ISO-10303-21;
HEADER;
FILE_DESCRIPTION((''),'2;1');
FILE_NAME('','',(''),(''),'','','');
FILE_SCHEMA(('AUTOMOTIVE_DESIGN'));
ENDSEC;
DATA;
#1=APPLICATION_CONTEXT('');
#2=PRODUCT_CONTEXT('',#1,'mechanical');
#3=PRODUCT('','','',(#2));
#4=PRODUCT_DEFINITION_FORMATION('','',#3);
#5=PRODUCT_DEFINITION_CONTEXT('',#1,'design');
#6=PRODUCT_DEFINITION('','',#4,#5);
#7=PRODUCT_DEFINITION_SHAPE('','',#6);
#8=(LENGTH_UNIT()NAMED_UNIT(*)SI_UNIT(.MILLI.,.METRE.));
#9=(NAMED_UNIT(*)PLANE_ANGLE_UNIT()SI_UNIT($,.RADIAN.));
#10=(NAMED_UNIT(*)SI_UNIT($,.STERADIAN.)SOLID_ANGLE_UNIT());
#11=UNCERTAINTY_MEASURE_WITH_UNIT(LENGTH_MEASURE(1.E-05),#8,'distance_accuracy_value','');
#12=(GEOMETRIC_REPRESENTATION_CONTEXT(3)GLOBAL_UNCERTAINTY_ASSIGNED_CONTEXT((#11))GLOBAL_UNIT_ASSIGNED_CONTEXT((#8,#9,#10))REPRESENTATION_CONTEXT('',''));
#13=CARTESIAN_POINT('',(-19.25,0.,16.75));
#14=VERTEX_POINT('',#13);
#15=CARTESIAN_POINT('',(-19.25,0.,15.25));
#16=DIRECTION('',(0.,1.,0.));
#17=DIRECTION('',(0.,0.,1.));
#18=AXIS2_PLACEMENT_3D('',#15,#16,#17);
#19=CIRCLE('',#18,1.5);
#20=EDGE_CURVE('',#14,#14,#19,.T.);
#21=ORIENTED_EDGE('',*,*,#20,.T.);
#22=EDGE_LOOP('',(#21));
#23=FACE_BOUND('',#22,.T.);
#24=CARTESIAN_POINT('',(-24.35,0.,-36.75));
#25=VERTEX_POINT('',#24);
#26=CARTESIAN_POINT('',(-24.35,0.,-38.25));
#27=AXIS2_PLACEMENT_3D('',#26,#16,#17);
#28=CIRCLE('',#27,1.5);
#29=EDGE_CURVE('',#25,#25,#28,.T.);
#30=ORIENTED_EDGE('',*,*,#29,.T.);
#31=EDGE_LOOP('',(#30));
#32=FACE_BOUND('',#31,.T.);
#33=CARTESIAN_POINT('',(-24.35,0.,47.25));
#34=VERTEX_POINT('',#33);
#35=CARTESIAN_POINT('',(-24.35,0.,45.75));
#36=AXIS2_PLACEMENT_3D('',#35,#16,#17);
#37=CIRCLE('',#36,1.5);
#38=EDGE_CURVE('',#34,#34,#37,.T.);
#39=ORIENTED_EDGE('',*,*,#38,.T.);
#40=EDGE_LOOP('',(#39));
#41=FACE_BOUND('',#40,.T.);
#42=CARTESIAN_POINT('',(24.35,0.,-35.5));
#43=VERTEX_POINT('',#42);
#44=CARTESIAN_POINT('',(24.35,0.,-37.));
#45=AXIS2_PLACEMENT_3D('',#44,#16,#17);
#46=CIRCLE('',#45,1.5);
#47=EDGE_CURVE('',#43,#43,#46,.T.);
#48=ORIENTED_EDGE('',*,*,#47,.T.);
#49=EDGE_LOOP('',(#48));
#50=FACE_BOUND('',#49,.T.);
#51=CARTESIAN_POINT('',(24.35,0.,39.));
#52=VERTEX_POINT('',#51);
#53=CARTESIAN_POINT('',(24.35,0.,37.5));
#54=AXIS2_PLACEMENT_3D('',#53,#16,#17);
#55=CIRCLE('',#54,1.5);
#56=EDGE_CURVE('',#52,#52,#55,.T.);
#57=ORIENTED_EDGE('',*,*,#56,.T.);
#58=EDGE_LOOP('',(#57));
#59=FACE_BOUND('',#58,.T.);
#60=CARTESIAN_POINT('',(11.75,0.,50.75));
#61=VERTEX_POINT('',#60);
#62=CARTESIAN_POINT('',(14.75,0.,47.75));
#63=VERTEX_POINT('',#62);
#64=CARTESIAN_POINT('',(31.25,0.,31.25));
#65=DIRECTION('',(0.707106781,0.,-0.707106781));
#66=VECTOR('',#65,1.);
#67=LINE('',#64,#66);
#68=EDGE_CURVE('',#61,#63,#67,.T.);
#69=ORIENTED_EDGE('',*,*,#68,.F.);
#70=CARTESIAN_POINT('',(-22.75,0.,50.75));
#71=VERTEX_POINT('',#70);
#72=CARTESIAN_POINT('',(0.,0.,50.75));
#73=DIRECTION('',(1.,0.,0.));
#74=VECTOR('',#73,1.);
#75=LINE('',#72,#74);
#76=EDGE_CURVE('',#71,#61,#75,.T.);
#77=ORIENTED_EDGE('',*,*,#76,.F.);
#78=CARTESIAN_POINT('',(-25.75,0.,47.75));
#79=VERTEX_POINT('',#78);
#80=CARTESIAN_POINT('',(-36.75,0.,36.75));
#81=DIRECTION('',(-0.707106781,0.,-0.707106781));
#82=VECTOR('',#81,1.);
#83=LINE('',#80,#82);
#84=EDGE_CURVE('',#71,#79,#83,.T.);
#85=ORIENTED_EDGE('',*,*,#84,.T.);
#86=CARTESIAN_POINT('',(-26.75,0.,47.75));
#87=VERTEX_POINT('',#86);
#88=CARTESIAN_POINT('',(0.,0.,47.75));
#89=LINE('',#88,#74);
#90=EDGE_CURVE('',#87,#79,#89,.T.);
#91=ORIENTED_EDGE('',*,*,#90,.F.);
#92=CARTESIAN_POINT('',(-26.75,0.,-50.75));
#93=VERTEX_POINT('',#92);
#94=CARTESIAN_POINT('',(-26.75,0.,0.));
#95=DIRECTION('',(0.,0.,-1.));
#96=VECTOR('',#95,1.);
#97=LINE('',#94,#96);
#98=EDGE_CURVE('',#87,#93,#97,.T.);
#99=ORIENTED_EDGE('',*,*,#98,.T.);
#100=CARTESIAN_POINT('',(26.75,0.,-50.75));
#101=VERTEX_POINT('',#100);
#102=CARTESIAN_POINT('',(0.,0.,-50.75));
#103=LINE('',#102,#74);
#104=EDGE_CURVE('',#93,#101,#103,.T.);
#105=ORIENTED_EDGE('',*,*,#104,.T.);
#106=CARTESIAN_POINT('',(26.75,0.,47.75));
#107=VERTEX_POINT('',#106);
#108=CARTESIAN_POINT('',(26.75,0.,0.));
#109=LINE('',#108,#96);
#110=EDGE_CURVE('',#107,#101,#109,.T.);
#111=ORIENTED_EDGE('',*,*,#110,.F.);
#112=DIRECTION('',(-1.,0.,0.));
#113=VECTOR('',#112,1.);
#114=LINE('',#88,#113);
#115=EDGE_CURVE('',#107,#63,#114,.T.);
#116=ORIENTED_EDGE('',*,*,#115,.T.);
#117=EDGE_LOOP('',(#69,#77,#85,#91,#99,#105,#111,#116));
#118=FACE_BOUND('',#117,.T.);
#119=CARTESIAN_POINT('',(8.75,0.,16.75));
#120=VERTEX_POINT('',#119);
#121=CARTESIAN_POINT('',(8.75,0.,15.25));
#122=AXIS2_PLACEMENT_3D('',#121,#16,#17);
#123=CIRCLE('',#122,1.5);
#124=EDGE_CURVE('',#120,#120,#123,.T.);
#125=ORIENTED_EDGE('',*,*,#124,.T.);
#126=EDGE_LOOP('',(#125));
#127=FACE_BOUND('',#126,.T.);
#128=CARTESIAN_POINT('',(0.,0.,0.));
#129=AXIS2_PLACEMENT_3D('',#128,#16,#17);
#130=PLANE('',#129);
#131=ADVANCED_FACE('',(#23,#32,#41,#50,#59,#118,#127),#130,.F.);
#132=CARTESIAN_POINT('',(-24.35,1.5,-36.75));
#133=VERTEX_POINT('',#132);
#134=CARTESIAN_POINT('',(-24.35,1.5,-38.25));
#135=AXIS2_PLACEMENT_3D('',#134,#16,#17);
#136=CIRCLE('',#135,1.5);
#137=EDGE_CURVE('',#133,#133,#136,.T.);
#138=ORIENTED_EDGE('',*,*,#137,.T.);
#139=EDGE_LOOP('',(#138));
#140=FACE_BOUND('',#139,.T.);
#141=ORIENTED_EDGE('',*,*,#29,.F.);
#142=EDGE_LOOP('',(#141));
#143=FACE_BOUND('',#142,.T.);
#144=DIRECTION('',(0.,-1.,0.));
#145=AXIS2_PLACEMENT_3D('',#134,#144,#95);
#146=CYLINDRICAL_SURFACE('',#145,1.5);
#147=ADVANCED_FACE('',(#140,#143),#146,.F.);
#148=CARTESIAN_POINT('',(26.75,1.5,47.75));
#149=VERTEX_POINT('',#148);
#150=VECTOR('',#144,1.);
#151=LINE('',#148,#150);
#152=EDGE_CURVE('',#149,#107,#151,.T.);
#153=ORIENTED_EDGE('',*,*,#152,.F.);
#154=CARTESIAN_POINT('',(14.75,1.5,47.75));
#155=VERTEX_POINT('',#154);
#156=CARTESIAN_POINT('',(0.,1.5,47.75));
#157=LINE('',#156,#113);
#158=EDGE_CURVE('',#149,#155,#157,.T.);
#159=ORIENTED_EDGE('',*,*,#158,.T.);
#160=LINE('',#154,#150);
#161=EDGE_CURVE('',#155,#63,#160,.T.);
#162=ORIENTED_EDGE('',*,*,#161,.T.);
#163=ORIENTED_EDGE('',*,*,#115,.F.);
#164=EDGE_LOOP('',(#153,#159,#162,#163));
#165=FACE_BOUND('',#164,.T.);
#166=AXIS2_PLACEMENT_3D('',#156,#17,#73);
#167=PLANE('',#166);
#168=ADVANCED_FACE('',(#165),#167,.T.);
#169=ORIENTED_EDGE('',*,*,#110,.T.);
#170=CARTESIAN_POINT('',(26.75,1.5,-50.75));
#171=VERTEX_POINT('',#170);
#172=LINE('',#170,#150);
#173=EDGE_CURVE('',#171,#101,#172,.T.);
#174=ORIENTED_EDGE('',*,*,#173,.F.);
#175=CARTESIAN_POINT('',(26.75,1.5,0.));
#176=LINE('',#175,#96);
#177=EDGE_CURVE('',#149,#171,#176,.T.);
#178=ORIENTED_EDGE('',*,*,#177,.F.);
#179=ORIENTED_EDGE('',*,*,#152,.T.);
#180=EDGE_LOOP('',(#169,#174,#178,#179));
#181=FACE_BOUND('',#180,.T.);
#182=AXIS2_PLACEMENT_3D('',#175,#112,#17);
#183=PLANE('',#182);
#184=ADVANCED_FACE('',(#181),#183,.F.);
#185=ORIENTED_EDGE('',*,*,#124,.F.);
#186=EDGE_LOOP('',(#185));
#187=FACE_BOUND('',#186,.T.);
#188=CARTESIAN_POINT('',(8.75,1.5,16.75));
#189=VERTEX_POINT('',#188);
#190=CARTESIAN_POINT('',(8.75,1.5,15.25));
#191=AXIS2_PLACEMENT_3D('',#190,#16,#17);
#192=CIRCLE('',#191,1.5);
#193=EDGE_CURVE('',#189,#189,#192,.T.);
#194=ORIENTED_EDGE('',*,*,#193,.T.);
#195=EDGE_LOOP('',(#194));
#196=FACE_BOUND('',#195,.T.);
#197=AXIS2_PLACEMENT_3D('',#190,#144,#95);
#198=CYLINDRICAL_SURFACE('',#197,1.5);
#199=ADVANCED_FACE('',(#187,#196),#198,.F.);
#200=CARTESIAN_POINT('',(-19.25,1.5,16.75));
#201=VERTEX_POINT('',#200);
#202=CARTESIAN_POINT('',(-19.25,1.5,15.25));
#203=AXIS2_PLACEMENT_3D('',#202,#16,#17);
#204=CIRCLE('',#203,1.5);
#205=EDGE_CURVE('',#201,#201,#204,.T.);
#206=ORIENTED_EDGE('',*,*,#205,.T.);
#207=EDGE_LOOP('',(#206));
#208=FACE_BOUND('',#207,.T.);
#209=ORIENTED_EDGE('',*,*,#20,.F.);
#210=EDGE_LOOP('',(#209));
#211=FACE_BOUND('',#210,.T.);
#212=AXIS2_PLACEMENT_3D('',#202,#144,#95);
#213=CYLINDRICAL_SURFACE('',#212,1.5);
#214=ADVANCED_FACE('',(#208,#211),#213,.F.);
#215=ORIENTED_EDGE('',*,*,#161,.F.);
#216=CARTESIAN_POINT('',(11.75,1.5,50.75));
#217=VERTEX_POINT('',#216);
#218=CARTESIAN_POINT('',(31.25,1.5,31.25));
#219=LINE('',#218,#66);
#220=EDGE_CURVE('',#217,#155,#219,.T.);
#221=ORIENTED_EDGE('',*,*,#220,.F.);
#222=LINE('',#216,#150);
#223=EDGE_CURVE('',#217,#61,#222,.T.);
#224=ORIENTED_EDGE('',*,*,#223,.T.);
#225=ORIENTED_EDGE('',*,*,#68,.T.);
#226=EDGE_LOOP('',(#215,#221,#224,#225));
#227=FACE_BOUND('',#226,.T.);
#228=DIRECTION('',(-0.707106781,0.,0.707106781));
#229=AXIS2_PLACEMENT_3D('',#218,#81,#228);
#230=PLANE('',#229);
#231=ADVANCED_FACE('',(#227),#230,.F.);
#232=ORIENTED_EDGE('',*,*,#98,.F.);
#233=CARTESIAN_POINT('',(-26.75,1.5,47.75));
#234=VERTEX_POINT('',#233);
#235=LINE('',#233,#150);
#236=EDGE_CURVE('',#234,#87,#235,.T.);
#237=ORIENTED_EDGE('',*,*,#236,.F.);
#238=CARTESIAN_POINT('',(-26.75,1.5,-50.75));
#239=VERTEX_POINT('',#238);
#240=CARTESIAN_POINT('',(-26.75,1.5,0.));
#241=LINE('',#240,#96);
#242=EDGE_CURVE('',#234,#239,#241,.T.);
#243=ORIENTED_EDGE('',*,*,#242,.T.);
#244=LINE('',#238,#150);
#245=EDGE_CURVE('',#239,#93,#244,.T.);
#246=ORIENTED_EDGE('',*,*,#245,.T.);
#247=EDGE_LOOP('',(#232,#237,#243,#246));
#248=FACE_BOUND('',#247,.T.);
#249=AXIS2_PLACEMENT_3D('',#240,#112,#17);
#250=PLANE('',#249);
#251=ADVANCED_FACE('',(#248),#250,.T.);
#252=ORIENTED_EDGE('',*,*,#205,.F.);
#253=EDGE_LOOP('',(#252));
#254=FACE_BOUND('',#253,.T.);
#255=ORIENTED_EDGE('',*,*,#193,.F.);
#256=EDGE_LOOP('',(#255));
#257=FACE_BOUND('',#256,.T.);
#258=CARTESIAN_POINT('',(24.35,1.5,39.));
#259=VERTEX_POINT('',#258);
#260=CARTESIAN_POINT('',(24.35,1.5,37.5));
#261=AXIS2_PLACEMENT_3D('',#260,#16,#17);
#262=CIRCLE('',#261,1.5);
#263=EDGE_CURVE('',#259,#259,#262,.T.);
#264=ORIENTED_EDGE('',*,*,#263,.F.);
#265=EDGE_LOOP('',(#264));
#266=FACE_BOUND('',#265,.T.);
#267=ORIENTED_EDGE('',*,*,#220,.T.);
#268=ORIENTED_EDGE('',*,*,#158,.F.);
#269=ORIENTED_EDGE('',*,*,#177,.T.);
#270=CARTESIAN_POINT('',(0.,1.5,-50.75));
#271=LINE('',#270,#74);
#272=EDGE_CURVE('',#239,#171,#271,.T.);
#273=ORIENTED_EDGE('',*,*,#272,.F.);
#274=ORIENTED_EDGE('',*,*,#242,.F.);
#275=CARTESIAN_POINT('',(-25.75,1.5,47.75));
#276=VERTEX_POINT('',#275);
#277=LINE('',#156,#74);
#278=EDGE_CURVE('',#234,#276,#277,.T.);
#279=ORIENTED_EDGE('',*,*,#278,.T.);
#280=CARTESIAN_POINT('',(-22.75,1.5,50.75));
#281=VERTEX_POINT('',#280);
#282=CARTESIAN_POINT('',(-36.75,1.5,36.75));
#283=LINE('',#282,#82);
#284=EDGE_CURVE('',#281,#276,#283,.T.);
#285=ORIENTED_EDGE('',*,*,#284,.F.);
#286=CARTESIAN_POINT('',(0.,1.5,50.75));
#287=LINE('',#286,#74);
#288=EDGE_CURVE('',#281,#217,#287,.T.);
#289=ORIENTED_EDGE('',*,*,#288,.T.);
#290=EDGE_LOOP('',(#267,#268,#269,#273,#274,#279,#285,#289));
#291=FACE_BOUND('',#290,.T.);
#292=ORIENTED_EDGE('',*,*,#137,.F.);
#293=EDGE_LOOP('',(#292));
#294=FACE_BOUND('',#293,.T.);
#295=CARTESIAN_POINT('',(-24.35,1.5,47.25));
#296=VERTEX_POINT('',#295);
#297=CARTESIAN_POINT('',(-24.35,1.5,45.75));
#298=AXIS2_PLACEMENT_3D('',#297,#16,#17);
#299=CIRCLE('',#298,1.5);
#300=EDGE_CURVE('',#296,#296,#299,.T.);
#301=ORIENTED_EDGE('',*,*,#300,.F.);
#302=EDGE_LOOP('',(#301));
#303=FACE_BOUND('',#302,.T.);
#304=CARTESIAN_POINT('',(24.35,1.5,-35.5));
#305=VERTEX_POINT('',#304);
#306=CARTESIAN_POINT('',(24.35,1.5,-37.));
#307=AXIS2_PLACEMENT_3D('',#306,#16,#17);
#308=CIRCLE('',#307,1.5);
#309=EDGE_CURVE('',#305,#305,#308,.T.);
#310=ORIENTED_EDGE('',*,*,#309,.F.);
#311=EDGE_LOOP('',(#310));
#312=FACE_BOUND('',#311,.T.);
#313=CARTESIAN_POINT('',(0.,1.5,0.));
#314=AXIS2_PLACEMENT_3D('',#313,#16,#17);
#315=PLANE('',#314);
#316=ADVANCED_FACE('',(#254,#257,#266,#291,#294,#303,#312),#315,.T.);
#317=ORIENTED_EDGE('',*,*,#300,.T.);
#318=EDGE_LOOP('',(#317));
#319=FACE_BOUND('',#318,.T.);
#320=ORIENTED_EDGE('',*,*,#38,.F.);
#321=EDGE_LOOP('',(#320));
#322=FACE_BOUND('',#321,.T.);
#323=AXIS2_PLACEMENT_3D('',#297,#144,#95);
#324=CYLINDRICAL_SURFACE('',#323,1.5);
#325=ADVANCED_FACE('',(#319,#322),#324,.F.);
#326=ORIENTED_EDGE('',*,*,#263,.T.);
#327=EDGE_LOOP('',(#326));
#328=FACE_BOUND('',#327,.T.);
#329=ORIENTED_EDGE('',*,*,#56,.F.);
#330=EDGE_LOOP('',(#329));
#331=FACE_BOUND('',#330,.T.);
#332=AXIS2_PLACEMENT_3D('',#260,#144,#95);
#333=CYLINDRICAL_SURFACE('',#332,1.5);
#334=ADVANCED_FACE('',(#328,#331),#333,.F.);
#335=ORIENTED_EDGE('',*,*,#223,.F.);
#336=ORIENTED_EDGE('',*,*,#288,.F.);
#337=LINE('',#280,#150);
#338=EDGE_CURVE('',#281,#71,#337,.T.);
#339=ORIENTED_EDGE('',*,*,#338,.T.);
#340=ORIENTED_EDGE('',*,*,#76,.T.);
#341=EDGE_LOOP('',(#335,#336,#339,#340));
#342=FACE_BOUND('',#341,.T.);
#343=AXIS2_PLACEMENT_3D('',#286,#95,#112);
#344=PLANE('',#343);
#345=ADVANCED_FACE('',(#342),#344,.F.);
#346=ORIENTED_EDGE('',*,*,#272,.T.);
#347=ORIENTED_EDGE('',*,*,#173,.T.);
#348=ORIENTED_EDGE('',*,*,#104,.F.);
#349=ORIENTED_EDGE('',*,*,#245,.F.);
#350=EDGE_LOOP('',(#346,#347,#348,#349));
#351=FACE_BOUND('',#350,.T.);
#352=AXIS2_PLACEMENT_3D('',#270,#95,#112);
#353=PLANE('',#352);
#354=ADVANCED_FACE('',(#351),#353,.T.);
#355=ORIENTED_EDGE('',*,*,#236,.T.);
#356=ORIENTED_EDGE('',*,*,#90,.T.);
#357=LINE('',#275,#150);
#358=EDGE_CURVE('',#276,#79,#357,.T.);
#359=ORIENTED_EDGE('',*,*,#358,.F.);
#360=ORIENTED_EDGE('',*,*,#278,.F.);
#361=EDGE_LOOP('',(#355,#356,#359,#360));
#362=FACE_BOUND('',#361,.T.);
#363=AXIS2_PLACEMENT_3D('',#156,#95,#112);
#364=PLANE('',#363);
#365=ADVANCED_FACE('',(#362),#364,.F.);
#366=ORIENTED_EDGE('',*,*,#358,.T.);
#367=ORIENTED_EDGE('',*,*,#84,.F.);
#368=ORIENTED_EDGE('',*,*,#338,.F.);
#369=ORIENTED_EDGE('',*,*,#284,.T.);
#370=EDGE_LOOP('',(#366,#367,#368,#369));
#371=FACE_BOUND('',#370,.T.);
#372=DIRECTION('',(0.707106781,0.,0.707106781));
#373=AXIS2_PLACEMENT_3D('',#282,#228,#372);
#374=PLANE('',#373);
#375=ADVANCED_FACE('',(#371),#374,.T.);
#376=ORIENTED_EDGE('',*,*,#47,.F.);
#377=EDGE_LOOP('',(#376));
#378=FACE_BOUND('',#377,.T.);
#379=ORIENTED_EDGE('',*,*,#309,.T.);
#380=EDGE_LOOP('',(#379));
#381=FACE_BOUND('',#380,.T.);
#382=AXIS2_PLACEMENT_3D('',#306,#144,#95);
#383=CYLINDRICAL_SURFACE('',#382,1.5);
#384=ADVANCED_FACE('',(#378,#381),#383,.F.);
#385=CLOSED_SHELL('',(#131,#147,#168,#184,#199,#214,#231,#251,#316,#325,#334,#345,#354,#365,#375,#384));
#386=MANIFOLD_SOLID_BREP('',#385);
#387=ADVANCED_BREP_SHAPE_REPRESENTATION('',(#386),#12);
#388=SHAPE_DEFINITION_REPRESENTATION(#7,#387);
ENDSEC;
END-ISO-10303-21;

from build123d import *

# Parameters (mm, degrees)
SKETCH1_R           = 1.5
BOSS_EXTRUDE1_DEPTH = 1.5


with BuildPart() as part:
    # Sketch1 → Boss-Extrude1 (new body)
    with BuildSketch(Plane(origin=(0, 0, 0), x_dir=(1, 0, 0), z_dir=(0, 1, 0))):
        Polygon((-22.75, -50.75), (11.75, -50.75), (14.75, -47.75), (26.75, -47.75), (26.75, 50.75), (25.85, 50.75), (-20.75, 50.75), (-25.85, 50.75), (-26.75, 50.75), (-26.75, -47.75), (-25.75, -47.75), align=None)
        with Locations(Location((-24.35, -45.75, 0), (0, 0, 270))):
            Circle(SKETCH1_R, mode=Mode.SUBTRACT)
        with BuildLine():
            ThreePointArc((-17.75, -15.25), (-19.25, -16.75), (-20.75, -15.25))
            ThreePointArc((-20.75, -15.25), (-19.25, -13.75), (-17.75, -15.25))
        make_face(mode=Mode.SUBTRACT)
        with Locations(Location((24.35, -37.5, 0), (0, 0, 270))):
            Circle(SKETCH1_R, mode=Mode.SUBTRACT)
        with Locations(Location((8.75, -15.25, 0), (0, 0, 270))):
            Circle(SKETCH1_R, mode=Mode.SUBTRACT)
        with Locations(Location((-24.35, 38.25, 0), (0, 0, 270))):
            Circle(SKETCH1_R, mode=Mode.SUBTRACT)
        with BuildLine():
            ThreePointArc((24.35, 35.5), (23.289339828, 38.060660172), (25.85, 37))
            ThreePointArc((25.85, 37), (25.410660172, 35.939339828), (24.35, 35.5))
        make_face(mode=Mode.SUBTRACT)
    extrude(amount=BOSS_EXTRUDE1_DEPTH)


solid = part.part
